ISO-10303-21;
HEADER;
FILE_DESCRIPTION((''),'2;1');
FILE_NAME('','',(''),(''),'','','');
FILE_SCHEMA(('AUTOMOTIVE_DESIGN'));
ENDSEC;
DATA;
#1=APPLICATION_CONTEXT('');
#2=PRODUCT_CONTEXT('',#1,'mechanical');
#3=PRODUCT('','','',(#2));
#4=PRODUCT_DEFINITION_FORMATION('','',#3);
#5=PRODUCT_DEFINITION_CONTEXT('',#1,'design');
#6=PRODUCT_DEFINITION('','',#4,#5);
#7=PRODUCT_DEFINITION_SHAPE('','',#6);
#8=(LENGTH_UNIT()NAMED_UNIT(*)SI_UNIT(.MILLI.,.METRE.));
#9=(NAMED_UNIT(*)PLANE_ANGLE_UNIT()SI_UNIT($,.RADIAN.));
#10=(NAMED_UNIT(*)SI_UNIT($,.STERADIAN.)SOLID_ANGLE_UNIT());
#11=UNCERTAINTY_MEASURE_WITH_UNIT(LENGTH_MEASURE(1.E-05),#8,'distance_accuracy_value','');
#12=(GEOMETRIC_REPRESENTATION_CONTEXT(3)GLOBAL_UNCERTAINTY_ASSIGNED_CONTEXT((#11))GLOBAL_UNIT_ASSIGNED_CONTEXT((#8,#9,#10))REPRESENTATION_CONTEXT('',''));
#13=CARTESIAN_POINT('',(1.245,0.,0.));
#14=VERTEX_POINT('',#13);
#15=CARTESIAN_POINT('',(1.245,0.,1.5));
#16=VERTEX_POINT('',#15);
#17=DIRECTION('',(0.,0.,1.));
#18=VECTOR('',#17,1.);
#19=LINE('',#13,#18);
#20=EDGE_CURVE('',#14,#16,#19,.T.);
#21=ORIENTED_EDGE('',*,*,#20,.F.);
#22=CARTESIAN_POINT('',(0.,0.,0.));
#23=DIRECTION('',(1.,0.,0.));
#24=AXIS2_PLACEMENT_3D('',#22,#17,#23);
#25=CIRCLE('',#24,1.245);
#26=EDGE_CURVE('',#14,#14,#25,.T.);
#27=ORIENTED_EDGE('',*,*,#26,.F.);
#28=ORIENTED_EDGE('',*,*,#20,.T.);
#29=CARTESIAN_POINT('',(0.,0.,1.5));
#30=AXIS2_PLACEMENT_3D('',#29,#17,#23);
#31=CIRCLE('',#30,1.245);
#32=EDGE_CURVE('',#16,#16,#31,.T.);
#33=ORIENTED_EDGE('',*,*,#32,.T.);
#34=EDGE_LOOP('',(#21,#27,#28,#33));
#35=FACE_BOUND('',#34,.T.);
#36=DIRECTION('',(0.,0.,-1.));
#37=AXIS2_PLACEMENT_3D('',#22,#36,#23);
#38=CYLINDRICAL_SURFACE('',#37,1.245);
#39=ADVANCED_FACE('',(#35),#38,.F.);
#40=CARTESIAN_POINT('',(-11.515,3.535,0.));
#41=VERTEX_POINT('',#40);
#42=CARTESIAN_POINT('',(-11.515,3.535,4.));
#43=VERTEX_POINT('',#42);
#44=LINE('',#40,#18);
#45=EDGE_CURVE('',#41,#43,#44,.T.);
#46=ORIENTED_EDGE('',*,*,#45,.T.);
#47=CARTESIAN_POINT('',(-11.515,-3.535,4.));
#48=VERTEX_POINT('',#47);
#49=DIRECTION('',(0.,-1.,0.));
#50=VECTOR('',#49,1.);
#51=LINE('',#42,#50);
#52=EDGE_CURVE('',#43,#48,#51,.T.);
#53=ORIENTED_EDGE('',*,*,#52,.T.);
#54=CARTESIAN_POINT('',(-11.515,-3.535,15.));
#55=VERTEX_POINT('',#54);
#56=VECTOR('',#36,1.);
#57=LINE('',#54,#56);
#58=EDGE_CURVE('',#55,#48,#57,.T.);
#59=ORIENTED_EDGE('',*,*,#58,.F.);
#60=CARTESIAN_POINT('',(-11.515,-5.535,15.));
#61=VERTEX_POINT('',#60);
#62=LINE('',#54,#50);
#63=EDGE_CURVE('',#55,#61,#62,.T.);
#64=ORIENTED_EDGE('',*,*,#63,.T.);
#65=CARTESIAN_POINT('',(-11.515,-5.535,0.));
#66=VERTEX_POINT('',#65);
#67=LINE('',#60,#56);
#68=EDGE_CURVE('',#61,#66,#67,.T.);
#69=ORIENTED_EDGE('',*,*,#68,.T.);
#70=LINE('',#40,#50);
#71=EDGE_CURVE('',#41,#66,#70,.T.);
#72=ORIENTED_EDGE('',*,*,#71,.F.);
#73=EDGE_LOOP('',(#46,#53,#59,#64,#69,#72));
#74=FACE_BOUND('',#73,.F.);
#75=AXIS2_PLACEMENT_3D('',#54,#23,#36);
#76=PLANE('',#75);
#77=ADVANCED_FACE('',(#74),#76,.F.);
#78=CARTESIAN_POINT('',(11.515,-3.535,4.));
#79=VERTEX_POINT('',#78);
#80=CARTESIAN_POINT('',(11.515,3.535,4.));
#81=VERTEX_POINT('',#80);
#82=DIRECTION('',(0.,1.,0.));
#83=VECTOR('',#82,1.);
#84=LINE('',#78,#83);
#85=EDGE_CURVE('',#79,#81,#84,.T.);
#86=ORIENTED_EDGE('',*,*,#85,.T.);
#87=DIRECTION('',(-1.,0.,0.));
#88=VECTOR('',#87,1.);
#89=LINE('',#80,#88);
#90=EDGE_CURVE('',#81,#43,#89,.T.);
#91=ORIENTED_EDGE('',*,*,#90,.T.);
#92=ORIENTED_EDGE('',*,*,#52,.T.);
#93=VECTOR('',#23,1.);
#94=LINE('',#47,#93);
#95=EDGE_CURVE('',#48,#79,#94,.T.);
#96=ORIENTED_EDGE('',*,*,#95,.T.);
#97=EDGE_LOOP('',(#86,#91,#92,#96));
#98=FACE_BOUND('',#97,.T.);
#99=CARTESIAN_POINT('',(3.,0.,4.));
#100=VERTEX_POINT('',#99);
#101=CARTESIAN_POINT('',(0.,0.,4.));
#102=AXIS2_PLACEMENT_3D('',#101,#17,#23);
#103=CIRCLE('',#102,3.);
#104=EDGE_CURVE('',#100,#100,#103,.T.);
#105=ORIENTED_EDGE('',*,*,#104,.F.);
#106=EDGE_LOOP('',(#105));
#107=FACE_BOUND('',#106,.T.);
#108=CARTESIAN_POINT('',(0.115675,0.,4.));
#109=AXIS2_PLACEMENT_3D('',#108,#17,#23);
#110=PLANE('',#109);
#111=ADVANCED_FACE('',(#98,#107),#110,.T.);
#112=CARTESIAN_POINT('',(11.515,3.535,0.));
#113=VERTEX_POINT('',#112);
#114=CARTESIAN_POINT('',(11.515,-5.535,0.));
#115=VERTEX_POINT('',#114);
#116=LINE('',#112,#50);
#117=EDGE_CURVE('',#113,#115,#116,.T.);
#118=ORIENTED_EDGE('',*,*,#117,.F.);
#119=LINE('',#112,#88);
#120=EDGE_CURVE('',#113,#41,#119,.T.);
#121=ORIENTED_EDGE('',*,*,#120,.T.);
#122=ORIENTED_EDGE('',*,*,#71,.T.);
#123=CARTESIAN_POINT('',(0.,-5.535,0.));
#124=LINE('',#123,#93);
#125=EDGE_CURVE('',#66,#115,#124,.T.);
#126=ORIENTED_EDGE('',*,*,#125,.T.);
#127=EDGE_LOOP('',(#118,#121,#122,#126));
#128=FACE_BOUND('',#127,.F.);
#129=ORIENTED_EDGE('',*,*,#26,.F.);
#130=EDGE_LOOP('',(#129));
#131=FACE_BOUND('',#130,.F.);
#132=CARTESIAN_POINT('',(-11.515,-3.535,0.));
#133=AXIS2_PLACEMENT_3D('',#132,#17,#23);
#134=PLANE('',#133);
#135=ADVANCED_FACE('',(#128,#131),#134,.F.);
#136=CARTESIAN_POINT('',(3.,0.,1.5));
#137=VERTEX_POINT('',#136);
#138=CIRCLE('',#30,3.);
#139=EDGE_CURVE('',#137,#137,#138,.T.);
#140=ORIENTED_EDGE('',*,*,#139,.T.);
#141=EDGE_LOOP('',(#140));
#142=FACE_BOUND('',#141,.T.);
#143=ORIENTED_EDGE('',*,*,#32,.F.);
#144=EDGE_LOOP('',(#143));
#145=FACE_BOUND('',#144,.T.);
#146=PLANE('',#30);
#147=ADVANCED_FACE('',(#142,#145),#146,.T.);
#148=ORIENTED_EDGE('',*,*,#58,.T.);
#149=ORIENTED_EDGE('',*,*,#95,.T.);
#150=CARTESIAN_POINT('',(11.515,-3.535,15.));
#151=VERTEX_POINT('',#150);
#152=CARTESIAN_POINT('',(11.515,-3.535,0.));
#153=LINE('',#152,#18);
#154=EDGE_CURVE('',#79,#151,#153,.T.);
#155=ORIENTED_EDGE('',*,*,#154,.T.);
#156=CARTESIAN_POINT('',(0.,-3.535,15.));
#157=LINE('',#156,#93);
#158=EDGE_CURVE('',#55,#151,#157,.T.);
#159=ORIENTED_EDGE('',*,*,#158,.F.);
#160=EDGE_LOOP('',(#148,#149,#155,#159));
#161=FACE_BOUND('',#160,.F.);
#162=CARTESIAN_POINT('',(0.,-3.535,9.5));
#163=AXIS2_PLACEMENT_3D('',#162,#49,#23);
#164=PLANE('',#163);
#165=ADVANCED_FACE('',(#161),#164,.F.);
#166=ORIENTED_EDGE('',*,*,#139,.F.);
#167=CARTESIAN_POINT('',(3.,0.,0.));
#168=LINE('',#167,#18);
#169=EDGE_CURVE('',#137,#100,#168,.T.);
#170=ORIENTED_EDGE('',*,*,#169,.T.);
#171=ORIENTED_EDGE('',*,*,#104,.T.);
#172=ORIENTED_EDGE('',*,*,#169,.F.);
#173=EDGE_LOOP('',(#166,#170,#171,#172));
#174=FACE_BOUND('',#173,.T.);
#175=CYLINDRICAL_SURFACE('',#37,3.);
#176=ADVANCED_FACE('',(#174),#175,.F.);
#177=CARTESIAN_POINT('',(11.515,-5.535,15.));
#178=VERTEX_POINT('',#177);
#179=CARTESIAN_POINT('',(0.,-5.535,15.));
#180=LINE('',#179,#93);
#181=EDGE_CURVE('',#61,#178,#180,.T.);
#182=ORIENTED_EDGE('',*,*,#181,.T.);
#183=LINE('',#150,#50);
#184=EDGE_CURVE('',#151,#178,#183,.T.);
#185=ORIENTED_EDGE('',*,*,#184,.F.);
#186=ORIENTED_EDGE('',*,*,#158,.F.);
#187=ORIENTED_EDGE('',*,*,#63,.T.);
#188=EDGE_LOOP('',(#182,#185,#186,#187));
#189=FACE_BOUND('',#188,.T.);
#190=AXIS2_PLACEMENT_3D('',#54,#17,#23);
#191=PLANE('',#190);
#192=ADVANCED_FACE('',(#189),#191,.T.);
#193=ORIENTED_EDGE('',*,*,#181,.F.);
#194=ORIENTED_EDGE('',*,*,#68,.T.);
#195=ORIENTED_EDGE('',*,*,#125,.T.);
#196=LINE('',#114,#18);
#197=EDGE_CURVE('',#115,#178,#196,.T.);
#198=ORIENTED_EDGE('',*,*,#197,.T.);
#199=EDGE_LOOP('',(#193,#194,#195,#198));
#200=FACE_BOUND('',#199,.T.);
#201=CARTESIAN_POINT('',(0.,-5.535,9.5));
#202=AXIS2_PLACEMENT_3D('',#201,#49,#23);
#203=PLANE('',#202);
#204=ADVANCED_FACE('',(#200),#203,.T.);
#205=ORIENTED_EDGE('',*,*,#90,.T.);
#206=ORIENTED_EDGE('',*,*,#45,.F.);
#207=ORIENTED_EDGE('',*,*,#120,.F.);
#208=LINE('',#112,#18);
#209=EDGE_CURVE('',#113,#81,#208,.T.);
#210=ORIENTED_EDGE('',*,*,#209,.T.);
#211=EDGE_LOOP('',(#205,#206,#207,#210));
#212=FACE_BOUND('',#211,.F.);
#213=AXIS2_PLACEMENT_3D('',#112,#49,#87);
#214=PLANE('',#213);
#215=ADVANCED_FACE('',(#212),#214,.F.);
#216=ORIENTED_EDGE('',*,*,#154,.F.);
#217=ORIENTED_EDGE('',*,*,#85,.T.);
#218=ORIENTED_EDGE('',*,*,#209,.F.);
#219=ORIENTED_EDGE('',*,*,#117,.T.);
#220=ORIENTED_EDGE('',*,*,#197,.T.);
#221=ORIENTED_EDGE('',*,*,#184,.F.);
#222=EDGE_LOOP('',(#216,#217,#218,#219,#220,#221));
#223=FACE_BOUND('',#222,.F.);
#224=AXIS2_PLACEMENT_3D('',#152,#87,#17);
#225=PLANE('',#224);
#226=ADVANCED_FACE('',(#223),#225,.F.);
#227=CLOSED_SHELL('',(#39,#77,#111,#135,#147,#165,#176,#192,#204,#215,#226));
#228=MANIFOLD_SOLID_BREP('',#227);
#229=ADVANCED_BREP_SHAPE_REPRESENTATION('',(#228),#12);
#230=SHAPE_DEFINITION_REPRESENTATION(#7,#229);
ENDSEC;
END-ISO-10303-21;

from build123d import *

# Parameters (mm, degrees)
F0_R     = 3
F0_R_2   = 1.245
F1_DEPTH = 1.5
F2_DEPTH = 4
F3_W     = 23.03
F3_H     = 11
F3_H_2   = 4
F4_DEPTH = 2


with BuildPart() as f1:
    # F0 (on Top) → F1 (new body)
    with BuildSketch(Plane.XY):
        Circle(F0_R)
        Circle(F0_R_2, mode=Mode.SUBTRACT)
    extrude(amount=F1_DEPTH)

    # F0 (on Top) → F2 (join)
    with BuildSketch(Plane.XY):
        with BuildLine():
            ThreePointArc((0, -3.535), (2.499622, -2.499622), (3.535, 0))
            ThreePointArc((3.535, 0), (2.499622, 2.499622), (0, 3.535))
            ThreePointArc((0, 3.535), (-3.535, 0), (0, -3.535))
        make_face()
        Circle(F0_R, mode=Mode.SUBTRACT)
        with BuildLine():
            ThreePointArc((0, -3.535), (-3.535, 0), (0, 3.535))
            Line((0, 3.535), (-11.515, 3.535))
            Line((-11.515, 3.535), (-11.515, -3.535))
            Line((-11.515, -3.535), (0, -3.535))
        make_face()
        with BuildLine():
            ThreePointArc((0, 3.535), (2.499622, 2.499622), (3.535, 0))
            ThreePointArc((3.535, 0), (2.499622, -2.499622), (0, -3.535))
            Line((0, -3.535), (11.515, -3.535))
            Line((11.515, -3.535), (11.515, 3.535))
            Line((11.515, 3.535), (0, 3.535))
        make_face()
    extrude(amount=F2_DEPTH)

    # F3 (on face) → F4 (join)
    with BuildSketch(Plane.XZ.offset(3.535)):
        with Locations((0, 9.5)):
            Rectangle(F3_W, F3_H)
        with Locations((0, 2)):
            Rectangle(F3_W, F3_H_2)
    extrude(amount=F4_DEPTH)


solid = f1.part
